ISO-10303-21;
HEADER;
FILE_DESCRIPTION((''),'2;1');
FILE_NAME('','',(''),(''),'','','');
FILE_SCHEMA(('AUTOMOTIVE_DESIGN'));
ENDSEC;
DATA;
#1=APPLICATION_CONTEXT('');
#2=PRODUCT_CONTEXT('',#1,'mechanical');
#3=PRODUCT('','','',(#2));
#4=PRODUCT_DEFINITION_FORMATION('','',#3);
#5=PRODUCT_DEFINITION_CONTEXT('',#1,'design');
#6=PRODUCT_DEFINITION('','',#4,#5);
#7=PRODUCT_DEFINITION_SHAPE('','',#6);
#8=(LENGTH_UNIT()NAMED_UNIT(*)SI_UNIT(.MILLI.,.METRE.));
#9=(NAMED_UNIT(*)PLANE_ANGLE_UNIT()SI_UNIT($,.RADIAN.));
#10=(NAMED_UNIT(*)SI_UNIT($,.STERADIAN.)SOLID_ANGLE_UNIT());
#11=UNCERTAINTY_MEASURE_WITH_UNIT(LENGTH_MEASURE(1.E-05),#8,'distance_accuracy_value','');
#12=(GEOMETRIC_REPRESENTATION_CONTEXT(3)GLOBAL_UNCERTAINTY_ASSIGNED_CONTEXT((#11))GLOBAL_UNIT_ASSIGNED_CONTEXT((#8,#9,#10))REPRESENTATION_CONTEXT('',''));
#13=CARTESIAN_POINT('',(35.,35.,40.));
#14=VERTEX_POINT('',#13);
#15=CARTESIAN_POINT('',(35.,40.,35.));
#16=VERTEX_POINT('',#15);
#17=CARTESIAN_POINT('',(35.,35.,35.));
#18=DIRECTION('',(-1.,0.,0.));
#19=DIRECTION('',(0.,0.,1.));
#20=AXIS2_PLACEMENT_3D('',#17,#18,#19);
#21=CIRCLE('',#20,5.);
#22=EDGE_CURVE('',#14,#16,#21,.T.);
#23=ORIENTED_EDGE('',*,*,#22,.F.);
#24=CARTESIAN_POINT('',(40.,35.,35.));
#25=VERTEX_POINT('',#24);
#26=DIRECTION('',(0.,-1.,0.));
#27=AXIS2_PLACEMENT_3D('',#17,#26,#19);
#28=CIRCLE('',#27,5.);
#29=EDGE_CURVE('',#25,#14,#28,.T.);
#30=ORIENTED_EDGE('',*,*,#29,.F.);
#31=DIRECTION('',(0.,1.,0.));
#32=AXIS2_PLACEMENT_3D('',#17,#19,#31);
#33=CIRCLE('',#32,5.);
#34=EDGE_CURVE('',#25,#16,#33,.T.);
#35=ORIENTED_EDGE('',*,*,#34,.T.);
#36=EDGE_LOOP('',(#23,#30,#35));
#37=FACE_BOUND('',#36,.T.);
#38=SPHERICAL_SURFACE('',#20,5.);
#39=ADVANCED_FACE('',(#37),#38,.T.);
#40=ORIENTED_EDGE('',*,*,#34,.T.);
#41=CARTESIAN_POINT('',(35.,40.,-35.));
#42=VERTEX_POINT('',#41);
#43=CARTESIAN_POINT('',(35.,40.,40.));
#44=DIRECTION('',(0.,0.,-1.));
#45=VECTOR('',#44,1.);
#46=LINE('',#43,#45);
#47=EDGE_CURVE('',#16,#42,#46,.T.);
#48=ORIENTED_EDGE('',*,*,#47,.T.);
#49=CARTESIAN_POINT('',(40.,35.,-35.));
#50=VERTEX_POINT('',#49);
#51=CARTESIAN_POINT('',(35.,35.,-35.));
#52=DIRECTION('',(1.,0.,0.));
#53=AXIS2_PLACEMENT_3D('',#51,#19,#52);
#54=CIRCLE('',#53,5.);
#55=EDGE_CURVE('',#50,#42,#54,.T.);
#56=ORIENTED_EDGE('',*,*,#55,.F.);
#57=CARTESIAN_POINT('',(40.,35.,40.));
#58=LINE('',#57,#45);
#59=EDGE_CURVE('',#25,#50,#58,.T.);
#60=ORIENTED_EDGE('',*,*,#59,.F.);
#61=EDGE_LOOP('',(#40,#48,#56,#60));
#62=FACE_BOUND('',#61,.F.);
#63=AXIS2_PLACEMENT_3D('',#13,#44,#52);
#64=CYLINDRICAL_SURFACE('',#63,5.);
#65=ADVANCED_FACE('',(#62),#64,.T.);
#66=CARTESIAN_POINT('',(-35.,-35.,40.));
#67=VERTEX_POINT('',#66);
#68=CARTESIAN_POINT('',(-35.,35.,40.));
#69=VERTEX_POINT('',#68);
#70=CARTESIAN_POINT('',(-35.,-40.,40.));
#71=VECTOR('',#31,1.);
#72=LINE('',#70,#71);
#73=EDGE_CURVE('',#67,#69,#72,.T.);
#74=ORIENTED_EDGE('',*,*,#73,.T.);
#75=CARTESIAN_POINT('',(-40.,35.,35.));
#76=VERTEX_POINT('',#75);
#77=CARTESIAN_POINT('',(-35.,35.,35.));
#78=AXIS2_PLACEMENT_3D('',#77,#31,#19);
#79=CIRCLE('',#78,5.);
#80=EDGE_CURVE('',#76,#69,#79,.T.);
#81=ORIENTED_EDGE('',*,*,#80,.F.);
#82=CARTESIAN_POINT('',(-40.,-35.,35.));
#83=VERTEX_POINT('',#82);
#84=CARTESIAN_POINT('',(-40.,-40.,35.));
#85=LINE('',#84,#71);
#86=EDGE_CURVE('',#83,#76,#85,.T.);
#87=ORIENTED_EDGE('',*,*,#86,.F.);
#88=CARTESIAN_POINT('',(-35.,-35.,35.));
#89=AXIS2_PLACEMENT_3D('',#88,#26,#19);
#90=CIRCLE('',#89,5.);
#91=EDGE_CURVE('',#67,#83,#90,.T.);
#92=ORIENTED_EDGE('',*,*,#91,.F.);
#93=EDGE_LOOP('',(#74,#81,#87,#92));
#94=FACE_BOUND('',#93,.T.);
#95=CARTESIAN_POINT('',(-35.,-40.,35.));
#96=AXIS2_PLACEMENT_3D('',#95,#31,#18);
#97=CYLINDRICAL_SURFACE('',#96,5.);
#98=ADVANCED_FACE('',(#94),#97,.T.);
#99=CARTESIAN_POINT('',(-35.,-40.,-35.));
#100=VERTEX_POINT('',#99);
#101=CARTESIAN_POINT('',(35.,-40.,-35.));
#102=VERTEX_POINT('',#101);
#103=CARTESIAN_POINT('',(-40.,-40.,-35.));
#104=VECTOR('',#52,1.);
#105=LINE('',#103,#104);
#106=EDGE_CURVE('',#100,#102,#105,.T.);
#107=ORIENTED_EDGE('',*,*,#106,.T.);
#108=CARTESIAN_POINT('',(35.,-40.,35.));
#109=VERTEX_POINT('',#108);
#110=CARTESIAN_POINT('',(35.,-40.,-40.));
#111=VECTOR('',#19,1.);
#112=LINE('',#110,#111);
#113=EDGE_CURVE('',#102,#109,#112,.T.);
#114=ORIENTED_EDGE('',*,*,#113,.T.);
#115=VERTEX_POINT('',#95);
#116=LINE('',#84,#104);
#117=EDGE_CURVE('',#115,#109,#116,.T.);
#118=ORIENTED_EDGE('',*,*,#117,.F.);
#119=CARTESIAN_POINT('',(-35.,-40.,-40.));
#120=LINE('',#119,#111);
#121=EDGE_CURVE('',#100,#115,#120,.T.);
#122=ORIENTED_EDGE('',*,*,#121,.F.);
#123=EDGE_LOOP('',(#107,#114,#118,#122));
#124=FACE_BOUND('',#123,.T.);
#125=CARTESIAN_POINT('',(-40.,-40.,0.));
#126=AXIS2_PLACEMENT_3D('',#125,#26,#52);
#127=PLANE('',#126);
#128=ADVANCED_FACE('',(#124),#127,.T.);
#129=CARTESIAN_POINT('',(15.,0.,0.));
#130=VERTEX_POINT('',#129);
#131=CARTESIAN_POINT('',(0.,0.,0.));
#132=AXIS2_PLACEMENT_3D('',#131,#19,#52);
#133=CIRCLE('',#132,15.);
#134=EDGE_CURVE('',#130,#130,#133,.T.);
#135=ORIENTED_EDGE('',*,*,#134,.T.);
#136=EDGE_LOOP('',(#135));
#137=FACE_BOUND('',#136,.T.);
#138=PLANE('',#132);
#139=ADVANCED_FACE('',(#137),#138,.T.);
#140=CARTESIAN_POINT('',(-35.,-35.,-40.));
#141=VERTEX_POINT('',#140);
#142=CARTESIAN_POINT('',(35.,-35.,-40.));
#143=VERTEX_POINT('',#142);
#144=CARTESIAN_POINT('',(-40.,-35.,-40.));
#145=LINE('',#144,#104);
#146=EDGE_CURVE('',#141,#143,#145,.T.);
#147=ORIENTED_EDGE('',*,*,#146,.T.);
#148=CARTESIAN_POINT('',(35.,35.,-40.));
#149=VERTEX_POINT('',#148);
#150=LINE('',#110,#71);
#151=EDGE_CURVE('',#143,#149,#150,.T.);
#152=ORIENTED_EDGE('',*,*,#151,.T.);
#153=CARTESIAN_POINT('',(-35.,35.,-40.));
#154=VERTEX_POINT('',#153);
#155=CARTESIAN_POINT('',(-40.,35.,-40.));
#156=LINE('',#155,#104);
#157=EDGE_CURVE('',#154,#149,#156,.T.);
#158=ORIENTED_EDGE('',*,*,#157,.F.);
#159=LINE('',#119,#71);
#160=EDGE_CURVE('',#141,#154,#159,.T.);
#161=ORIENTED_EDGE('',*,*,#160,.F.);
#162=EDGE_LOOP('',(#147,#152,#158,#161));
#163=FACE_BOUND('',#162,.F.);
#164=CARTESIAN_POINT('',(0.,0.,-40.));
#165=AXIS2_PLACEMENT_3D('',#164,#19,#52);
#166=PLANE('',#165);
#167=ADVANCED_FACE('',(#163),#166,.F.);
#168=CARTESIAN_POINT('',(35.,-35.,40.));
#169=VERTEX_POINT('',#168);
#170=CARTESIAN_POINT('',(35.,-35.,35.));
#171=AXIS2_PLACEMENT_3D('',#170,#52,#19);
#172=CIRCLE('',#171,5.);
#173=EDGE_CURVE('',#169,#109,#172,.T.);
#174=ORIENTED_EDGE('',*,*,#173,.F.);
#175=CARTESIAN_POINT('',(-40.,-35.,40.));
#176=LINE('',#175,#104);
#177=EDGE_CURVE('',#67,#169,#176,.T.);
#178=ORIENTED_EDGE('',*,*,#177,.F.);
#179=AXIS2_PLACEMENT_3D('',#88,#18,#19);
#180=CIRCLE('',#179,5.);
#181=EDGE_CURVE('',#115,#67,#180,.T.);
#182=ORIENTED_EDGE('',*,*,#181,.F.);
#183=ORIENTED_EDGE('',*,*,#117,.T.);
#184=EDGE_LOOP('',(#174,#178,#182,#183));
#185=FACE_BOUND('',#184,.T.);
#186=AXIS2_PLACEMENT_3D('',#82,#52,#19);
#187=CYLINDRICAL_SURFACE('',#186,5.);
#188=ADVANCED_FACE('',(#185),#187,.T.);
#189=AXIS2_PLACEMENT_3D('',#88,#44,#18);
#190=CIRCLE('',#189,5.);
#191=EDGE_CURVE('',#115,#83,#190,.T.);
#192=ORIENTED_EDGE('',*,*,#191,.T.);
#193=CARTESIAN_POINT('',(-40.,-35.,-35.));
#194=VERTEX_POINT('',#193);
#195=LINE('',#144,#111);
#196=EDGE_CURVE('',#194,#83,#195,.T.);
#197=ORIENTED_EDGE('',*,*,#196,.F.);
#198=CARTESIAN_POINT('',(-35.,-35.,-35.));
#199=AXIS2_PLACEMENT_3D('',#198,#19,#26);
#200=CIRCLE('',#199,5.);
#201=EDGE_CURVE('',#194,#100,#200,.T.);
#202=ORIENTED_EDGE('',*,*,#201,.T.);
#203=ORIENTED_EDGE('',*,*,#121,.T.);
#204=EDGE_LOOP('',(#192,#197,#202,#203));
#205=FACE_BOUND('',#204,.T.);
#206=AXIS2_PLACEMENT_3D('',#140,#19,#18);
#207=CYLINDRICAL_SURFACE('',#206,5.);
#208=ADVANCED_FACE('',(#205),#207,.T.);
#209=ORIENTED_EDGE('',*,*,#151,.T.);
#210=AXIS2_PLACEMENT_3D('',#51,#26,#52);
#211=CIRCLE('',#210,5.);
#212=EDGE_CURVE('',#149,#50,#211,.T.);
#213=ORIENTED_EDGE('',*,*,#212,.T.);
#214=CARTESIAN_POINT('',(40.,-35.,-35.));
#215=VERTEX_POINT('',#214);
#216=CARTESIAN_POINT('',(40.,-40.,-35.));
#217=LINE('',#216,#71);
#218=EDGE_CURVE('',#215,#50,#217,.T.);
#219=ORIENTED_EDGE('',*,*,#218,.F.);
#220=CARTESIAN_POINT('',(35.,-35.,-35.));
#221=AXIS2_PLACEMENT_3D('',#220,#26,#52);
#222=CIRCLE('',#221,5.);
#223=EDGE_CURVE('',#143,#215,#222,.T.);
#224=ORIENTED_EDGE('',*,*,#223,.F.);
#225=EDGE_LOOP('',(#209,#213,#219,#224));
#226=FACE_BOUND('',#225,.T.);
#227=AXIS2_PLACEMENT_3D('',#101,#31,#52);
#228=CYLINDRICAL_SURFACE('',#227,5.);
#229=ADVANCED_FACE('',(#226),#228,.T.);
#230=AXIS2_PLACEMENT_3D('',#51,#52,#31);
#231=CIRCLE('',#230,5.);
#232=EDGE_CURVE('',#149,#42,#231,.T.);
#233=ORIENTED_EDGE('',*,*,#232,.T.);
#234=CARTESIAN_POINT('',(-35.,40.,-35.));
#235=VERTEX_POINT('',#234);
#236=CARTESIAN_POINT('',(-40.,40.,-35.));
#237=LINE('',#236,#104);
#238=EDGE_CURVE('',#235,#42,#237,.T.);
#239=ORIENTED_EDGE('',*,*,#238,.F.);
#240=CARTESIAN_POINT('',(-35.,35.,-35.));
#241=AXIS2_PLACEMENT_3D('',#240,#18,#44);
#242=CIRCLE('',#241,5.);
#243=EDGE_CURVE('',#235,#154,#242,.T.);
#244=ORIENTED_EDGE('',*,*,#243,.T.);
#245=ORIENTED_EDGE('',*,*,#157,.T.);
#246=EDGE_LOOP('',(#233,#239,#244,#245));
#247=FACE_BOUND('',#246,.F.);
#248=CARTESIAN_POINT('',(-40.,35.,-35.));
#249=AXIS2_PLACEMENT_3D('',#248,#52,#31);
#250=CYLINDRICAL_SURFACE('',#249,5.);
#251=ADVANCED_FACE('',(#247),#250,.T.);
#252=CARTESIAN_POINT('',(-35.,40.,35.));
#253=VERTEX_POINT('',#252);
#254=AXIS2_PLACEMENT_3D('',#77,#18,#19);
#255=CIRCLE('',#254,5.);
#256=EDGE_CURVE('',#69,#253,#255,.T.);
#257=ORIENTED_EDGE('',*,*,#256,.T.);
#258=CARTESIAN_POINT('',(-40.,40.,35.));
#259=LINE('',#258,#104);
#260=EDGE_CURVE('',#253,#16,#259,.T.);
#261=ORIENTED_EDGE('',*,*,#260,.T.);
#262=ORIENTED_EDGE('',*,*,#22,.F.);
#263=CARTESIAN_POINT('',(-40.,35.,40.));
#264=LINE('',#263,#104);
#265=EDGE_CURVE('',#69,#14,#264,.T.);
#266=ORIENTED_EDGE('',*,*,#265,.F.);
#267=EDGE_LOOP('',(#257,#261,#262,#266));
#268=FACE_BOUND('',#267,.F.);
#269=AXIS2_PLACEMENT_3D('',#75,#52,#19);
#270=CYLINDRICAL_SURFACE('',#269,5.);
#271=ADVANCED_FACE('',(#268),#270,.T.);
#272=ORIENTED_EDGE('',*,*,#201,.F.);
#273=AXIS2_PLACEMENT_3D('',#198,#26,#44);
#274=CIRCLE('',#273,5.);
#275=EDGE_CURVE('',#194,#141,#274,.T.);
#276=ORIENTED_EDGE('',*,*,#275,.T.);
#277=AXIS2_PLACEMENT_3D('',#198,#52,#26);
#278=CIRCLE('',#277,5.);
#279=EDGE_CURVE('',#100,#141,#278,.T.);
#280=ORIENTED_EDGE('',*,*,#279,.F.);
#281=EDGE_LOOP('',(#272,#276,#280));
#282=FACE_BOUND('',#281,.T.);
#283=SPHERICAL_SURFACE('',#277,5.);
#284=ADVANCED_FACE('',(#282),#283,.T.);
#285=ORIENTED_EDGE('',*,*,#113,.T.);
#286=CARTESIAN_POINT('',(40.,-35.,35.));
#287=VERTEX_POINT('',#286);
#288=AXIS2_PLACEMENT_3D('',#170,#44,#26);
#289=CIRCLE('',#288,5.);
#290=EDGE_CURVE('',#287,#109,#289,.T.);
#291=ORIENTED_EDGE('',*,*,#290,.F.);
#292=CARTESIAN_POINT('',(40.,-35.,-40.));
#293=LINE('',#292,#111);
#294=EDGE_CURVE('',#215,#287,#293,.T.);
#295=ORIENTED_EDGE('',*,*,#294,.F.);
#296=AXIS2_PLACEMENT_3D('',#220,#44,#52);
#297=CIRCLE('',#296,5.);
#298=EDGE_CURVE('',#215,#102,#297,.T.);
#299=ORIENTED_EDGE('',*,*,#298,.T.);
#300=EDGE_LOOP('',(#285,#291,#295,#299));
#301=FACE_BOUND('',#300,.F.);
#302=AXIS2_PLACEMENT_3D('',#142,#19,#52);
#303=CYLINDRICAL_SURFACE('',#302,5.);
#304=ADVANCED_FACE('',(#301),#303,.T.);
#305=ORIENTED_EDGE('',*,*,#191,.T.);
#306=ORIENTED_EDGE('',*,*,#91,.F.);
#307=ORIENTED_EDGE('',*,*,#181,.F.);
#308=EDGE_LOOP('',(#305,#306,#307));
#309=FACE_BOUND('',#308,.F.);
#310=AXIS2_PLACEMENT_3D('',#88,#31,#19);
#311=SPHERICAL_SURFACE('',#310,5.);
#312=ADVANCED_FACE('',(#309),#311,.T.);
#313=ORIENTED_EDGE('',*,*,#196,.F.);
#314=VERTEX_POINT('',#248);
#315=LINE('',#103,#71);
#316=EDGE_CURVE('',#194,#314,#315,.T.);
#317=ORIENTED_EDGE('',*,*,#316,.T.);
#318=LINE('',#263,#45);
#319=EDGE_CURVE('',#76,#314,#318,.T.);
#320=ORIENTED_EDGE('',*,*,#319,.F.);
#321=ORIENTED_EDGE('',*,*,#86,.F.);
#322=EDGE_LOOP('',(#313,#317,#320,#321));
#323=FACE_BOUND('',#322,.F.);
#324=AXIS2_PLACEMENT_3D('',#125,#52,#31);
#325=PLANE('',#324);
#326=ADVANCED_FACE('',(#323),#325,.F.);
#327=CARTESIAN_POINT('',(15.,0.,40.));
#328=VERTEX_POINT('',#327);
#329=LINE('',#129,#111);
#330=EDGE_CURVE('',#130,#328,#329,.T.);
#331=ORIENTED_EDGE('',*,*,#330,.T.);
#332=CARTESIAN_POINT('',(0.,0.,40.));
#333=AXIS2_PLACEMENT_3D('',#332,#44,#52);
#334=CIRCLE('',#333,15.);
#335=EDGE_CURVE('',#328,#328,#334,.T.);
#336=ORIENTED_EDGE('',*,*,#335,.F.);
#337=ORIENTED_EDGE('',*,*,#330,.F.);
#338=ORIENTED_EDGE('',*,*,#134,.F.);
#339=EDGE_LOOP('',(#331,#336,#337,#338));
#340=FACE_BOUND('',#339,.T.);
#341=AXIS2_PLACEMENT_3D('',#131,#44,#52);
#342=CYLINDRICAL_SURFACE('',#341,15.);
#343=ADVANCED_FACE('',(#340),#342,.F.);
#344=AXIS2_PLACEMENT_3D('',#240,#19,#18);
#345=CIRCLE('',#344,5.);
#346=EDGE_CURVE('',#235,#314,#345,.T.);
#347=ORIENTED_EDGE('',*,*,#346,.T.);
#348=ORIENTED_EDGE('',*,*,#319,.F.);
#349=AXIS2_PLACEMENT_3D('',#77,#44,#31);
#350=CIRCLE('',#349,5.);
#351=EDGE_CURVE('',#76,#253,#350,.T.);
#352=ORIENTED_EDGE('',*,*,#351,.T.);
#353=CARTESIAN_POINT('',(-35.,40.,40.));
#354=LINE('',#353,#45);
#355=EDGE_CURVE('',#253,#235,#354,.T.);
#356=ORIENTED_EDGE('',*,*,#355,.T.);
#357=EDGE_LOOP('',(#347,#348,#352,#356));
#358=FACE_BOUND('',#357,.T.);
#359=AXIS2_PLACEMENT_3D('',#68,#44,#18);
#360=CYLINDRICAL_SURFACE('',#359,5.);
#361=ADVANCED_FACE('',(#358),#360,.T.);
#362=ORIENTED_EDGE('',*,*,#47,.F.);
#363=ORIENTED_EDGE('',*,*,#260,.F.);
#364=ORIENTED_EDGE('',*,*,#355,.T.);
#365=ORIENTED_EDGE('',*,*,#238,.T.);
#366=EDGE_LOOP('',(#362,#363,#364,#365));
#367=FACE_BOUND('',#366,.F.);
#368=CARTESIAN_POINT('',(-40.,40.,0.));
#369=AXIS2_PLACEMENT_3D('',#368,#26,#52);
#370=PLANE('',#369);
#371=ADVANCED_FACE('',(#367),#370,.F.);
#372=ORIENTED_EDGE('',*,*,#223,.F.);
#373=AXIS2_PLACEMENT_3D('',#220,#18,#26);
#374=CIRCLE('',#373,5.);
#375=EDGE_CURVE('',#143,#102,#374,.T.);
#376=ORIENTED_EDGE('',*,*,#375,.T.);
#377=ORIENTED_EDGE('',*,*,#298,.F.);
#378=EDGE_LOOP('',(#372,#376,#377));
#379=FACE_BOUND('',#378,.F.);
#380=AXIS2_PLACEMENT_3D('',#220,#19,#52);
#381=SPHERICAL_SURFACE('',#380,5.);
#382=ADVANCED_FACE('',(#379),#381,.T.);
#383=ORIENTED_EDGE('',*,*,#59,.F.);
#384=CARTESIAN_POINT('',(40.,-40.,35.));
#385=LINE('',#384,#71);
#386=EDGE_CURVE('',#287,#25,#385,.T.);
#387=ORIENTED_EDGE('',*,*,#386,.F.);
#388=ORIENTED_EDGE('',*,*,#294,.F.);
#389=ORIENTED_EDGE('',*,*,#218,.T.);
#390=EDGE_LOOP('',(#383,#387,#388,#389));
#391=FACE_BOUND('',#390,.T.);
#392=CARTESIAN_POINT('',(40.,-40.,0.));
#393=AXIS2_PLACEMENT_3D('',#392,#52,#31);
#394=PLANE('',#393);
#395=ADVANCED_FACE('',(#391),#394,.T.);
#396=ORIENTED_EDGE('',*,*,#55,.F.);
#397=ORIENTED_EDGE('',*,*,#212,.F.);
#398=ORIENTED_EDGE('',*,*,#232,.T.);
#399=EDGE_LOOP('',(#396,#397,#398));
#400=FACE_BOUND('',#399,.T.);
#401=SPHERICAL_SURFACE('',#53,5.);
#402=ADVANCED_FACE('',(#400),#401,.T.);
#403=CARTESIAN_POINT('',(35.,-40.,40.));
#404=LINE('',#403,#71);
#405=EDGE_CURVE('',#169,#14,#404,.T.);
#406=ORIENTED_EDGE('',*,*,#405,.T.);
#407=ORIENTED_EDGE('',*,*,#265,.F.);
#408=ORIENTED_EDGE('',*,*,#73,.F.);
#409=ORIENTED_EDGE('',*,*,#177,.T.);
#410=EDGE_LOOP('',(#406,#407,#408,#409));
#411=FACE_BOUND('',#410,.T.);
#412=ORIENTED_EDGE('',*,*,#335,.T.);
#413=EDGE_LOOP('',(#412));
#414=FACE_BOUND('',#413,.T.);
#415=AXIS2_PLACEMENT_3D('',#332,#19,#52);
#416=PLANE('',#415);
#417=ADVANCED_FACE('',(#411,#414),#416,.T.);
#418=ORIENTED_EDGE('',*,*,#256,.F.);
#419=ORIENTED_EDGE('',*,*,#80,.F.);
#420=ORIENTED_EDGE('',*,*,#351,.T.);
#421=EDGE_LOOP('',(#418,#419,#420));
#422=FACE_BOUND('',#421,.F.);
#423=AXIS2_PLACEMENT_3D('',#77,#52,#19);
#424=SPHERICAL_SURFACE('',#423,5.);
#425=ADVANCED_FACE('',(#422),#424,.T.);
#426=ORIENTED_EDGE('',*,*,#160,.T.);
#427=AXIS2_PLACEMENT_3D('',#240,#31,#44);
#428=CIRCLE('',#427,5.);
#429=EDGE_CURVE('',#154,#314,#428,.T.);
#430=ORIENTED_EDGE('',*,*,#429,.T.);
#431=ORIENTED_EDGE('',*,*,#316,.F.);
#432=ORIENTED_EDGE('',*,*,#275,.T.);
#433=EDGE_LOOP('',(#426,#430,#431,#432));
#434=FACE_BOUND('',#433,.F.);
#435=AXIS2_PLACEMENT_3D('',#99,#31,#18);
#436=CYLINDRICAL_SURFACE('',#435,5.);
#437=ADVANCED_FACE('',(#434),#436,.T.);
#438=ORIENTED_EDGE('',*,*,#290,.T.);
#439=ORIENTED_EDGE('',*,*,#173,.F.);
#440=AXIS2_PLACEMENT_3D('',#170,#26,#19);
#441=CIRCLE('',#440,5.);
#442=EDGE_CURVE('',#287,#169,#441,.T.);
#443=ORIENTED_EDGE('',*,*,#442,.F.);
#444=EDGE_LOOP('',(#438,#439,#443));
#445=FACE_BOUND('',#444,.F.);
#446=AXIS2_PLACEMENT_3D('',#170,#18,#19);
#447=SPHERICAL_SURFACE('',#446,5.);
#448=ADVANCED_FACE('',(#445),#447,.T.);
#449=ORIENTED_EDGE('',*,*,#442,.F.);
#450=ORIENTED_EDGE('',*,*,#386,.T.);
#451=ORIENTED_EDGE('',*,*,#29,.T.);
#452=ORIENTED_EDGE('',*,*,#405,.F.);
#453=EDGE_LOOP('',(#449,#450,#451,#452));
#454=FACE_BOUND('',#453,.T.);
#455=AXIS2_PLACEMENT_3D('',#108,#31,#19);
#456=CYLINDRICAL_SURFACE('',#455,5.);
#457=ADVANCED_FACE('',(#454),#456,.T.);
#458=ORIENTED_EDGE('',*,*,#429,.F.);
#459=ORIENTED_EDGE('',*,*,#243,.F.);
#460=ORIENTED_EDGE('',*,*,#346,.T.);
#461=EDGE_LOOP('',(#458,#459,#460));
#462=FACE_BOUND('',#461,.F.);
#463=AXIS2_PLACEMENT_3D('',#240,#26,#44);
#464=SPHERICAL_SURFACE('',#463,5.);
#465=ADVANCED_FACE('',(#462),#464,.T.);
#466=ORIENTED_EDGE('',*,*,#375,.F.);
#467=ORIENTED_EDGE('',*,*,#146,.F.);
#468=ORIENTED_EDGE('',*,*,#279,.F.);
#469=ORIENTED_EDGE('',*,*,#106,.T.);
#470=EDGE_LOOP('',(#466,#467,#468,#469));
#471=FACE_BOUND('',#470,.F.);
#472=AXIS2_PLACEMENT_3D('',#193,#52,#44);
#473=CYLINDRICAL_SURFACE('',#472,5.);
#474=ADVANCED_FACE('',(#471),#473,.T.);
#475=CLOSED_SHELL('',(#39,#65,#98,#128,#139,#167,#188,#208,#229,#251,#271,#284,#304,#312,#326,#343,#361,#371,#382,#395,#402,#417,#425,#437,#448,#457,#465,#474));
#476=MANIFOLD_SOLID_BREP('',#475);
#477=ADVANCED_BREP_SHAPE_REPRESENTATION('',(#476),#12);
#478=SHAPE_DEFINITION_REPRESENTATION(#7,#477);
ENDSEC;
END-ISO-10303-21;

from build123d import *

# Parameters (mm, degrees)
F0_W     = 80
F0_H     = 80
F1_DEPTH = 40
F2_R     = 5
F3_R     = 15
F4_DEPTH = 40.001


with BuildPart() as f1:
    # F0 (on Top) → F1 (new body, symmetric)
    with BuildSketch(Plane.XY):
        Rectangle(F0_W, F0_H)
    extrude(amount=F1_DEPTH, both=True)

    # F2
    f2_edges = [f1.edges().sort_by_distance(p)[0] for p in [
        (0, 40, 40),
        (-40, 0, 40),
        (0, -40, 40),
        (40, 0, 40),
        (40, -40, 0),
        (40, 40, 0),
        (40, 0, -40),
        (0, -40, -40),
        (-40, -40, 0),
        (-40, 0, -40),
        (0, 40, -40),
        (-40, 40, 0),
    ]]
    fillet(f2_edges, radius=F2_R)

    # F3 (on Top) → F4 (cut, through all)
    with BuildSketch(Plane.XY):
        Circle(F3_R)
    extrude(amount=F4_DEPTH, mode=Mode.SUBTRACT)


solid = f1.part
